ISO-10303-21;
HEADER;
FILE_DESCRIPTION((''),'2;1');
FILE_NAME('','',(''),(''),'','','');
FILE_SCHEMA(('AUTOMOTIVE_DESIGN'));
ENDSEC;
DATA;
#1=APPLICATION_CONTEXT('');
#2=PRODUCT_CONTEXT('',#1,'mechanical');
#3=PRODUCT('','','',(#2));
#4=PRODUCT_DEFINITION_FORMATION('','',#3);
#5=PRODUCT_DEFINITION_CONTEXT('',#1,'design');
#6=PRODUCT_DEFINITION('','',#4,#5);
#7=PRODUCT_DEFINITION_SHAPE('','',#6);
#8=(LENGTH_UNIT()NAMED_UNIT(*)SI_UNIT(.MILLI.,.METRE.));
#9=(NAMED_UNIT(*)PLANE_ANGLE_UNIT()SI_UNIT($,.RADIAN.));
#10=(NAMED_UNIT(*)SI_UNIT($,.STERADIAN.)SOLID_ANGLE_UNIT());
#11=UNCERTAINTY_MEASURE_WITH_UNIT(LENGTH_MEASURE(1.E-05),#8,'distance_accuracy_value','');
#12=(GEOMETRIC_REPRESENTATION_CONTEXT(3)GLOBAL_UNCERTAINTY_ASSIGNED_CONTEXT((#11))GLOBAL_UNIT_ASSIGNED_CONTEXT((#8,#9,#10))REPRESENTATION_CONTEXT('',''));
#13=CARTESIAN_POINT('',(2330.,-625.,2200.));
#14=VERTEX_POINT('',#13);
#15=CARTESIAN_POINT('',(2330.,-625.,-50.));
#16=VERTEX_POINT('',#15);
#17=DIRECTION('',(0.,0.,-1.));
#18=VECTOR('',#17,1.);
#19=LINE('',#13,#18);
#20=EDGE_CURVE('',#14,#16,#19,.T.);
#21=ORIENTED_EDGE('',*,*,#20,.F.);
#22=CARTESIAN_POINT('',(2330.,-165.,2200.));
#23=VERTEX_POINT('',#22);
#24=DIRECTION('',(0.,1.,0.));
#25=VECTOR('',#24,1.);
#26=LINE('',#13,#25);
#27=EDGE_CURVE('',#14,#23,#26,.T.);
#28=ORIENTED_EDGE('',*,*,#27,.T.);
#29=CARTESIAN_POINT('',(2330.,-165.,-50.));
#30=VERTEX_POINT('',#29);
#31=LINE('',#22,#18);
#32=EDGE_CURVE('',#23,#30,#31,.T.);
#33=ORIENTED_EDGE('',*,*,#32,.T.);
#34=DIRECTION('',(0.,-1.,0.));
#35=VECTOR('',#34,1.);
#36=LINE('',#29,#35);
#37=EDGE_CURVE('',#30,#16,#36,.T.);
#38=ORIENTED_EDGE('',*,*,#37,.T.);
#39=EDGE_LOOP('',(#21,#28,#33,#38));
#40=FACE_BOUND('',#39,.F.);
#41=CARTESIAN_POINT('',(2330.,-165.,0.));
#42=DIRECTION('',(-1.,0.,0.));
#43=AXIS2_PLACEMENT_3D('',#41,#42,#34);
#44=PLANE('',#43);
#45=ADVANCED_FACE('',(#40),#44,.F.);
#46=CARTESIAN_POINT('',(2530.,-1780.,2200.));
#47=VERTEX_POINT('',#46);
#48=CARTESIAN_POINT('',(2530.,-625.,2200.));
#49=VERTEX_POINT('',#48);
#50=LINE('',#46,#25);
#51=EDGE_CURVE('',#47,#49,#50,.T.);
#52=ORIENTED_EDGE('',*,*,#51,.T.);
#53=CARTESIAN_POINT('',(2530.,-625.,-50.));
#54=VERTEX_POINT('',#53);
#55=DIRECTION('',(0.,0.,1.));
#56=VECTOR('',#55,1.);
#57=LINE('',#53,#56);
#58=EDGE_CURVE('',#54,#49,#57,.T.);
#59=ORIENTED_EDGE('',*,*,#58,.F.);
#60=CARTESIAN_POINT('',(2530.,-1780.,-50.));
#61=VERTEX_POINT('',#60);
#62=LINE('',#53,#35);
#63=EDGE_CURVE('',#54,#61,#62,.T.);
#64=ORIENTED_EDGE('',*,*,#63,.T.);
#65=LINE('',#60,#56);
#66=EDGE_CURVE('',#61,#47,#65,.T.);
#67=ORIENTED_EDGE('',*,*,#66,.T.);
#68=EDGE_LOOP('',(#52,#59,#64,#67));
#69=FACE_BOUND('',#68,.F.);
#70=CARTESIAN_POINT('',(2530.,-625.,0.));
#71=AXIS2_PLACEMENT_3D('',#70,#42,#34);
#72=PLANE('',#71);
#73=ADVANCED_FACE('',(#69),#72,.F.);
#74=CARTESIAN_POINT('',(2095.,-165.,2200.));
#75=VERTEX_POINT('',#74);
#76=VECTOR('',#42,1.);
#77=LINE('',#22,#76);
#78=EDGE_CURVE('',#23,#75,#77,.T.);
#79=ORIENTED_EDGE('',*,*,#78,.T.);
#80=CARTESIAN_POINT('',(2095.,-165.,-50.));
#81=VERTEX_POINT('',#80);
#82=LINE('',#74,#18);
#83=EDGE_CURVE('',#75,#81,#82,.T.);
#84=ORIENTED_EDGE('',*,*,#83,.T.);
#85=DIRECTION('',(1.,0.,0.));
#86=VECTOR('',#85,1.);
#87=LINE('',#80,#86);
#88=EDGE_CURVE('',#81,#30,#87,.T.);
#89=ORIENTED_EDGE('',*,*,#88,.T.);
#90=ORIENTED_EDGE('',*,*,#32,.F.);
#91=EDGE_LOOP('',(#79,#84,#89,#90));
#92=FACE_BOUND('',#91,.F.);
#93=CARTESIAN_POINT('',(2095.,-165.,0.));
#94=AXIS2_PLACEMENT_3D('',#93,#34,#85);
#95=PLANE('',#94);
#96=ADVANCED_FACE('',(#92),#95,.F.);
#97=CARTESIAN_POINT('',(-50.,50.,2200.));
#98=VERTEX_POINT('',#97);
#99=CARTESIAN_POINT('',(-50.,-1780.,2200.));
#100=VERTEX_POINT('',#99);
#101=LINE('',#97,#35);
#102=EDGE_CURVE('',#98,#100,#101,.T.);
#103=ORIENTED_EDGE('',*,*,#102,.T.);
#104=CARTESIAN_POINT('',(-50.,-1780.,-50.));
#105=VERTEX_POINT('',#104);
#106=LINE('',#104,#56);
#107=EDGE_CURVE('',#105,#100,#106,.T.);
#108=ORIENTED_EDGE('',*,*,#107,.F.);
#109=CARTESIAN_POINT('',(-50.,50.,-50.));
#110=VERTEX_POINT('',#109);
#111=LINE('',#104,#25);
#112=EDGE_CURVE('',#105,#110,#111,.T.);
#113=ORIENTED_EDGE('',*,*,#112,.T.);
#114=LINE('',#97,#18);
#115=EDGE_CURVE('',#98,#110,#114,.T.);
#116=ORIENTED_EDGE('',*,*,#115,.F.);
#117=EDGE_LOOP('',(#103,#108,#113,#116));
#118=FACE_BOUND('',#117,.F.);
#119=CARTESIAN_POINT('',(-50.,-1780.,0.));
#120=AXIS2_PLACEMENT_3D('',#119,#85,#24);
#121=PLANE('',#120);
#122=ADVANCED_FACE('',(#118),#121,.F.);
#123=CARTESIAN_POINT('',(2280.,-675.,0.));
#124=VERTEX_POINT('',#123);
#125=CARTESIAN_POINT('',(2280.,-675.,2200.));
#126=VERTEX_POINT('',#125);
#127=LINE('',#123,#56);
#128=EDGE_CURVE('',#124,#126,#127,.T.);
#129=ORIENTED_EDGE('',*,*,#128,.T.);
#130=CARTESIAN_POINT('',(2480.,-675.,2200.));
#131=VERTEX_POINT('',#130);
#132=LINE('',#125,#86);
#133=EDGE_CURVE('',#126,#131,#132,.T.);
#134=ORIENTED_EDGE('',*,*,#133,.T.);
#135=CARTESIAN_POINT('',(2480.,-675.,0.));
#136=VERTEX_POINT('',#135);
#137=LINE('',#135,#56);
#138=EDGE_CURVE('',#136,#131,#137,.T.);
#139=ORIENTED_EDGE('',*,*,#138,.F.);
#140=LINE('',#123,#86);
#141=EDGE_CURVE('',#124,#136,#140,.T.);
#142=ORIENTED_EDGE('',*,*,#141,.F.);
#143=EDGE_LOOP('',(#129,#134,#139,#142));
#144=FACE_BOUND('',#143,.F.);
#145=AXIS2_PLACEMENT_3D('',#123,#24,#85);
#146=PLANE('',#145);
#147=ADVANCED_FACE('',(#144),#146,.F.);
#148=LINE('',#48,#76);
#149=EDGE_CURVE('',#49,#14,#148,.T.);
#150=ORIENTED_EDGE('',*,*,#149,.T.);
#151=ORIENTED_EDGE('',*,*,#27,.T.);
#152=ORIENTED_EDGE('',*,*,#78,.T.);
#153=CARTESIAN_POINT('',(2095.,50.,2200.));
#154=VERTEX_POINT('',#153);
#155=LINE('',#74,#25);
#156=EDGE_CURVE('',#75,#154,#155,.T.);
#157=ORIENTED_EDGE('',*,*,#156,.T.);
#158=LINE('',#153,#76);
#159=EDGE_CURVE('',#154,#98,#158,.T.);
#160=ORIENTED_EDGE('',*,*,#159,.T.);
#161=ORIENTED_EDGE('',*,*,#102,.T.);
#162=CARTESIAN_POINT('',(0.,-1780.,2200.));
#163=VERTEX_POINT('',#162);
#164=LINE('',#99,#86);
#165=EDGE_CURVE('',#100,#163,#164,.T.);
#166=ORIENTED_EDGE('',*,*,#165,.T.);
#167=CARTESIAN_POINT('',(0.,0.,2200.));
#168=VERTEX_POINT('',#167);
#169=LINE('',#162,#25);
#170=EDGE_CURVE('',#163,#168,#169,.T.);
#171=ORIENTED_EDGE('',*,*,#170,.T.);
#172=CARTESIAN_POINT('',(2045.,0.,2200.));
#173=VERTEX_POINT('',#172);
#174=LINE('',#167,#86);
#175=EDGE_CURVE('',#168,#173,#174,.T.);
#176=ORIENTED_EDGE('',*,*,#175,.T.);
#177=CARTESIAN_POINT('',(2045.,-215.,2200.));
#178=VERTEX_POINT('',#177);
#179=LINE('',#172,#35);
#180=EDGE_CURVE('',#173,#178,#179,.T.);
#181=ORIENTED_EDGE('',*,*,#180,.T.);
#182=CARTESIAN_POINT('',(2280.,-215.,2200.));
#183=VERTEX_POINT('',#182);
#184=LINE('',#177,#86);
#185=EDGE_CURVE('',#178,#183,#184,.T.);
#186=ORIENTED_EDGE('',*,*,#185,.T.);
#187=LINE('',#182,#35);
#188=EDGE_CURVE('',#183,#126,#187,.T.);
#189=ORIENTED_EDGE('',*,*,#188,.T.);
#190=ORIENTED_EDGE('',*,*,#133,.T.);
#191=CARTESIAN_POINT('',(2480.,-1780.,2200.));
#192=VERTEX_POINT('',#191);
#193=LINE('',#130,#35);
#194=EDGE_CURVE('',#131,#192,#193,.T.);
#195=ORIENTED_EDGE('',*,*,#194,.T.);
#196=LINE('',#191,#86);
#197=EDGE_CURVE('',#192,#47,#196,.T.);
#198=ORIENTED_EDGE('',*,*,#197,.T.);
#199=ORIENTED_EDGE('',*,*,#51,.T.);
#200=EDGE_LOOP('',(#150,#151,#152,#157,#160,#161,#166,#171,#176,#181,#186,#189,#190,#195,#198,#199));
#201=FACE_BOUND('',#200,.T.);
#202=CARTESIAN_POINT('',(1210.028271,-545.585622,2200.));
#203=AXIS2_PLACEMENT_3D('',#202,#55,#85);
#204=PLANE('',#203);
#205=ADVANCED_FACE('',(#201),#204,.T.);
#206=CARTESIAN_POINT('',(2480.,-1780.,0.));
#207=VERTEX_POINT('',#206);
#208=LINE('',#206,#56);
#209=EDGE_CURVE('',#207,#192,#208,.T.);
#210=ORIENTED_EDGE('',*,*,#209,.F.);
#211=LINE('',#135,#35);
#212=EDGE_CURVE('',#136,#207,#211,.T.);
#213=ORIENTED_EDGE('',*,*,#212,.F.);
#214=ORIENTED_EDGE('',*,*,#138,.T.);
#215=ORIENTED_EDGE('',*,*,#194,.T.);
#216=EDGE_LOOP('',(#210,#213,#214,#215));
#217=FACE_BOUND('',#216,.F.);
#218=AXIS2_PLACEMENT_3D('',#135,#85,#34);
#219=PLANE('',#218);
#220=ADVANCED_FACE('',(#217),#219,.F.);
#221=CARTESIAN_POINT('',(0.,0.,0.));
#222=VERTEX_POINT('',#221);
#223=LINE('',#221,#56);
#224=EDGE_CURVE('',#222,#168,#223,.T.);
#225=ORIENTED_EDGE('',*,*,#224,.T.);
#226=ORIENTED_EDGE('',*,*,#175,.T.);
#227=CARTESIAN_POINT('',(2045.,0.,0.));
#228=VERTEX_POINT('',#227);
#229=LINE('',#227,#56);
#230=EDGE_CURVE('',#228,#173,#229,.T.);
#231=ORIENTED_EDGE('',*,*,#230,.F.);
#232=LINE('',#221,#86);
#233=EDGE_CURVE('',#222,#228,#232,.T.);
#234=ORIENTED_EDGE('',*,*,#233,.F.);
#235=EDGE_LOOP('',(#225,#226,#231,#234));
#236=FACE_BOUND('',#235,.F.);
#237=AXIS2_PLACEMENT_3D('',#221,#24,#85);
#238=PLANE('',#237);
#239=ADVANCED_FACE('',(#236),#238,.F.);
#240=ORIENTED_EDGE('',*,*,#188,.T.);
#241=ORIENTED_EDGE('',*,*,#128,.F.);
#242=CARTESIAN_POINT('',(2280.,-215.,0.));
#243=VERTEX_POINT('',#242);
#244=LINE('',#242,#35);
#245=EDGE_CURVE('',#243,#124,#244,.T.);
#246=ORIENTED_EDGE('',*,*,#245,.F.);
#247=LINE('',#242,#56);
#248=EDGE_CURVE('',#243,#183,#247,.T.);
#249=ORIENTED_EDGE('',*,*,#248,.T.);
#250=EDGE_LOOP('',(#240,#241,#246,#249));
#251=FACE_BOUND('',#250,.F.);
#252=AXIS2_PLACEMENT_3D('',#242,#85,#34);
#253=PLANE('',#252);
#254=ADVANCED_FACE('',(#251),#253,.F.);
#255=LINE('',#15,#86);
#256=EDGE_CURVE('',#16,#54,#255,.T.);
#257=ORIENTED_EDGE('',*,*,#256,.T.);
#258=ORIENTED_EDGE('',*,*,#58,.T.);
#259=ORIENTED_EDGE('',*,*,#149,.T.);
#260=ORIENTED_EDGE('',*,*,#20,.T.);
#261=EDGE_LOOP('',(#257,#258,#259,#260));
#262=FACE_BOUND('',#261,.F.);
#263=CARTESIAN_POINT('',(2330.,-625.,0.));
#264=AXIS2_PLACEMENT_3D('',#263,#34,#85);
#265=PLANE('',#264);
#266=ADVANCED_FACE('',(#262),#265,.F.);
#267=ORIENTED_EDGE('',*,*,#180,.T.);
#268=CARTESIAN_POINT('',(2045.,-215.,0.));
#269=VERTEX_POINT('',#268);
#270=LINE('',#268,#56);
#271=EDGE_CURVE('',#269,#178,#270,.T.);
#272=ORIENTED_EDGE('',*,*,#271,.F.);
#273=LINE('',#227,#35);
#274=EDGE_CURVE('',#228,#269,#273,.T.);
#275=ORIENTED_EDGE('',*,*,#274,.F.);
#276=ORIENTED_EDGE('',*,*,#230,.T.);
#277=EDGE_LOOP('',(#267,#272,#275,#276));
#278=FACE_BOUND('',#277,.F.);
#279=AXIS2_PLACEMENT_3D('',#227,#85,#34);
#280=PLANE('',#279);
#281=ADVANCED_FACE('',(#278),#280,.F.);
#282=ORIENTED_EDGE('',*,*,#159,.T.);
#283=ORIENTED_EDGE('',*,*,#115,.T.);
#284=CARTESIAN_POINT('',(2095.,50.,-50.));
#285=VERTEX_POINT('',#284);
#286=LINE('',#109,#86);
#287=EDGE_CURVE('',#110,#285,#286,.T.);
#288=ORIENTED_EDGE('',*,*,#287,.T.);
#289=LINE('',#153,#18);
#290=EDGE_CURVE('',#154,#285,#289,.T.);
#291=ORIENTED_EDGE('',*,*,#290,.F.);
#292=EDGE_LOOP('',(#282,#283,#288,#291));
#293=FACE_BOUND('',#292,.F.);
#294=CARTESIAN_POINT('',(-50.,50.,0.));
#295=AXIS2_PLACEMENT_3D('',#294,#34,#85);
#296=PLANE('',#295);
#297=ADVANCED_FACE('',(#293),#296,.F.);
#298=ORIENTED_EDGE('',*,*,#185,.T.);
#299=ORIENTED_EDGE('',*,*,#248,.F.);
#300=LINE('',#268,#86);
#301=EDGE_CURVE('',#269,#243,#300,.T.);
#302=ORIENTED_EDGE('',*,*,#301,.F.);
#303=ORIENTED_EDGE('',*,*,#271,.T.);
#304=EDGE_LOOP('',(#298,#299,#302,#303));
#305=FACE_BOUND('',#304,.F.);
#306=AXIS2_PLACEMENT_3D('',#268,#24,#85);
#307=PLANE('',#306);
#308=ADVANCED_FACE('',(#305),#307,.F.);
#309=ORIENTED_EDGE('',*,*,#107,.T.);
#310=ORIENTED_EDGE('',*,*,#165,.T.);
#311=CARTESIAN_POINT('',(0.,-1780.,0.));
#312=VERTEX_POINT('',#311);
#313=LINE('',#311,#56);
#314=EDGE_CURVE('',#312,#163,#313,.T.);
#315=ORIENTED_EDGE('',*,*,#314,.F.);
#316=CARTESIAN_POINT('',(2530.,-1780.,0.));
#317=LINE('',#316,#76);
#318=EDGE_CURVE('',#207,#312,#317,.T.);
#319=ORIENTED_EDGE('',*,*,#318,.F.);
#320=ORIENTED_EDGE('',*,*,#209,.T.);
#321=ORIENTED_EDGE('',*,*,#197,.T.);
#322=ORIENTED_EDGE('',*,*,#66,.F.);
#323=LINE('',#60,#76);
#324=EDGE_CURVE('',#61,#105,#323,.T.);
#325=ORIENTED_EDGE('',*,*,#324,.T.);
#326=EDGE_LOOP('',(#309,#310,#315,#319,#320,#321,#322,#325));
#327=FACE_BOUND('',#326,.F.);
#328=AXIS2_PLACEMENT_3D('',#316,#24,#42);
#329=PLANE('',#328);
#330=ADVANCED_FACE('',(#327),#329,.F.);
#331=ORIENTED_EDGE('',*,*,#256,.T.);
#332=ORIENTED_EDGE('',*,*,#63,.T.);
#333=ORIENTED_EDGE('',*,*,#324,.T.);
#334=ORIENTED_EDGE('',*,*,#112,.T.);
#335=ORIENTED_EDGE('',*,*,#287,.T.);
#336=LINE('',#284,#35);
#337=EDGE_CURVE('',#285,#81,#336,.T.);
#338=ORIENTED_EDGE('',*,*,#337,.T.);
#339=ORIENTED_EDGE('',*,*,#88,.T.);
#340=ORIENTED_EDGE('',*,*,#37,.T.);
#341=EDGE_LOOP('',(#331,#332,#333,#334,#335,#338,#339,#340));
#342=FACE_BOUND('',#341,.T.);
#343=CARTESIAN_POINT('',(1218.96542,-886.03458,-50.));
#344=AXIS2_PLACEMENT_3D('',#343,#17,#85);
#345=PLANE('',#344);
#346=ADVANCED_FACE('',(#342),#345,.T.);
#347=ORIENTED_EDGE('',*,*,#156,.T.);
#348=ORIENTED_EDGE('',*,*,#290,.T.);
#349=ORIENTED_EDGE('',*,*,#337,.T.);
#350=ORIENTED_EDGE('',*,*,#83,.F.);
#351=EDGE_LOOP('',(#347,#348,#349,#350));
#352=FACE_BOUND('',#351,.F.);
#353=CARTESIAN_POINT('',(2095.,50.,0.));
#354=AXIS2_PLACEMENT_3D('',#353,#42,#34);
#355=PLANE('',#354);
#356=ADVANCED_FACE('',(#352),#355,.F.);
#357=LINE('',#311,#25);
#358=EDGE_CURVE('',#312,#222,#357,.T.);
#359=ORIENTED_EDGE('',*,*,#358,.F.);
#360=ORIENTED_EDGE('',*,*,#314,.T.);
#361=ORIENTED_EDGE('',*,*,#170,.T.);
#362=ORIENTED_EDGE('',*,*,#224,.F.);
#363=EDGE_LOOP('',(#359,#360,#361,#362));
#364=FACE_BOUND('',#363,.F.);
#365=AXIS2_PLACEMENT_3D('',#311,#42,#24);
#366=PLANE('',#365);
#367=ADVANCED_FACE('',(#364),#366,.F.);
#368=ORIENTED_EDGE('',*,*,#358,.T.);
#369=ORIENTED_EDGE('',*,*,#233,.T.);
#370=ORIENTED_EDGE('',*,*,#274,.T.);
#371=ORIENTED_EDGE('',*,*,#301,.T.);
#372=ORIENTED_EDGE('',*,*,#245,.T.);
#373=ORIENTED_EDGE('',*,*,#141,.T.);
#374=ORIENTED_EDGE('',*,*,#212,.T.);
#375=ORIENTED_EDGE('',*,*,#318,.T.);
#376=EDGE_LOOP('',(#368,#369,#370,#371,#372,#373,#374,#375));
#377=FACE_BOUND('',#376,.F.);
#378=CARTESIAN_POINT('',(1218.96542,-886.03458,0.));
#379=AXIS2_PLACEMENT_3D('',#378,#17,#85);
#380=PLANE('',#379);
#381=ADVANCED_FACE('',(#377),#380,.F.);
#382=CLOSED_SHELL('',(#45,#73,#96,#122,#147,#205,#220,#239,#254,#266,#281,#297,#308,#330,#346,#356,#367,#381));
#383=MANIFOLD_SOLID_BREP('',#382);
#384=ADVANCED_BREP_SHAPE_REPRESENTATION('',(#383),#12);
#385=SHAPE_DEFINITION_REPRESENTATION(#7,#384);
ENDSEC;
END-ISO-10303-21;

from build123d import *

# Parameters (mm, degrees)
F1_DEPTH = 2200
F3_DEPTH = 50


with BuildPart() as f1:
    # F0 (on Top) → F1 (new body)
    with BuildSketch(Plane.XY):
        Polygon((0, -1780), (0, 0), (2045, 0), (2045, -215), (2280, -215), (2280, -675), (2480, -675), (2480, -1780), (2530, -1780), (2530, -625), (2330, -625), (2330, -165), (2095, -165), (2095, 50), (-50, 50), (-50, -1780), align=None)
    extrude(amount=F1_DEPTH)

    # F2 (on face) → F3 (join)
    with BuildSketch(Plane(origin=(0, 0, 0), x_dir=(1, 0, 0), z_dir=(0, 0, -1))):
        Polygon((-50, 1780), (-50, -50), (2095, -50), (2095, 165), (2330, 165), (2330, 625), (2530, 625), (2530, 1780), align=None)
    extrude(amount=F3_DEPTH)


solid = f1.part
